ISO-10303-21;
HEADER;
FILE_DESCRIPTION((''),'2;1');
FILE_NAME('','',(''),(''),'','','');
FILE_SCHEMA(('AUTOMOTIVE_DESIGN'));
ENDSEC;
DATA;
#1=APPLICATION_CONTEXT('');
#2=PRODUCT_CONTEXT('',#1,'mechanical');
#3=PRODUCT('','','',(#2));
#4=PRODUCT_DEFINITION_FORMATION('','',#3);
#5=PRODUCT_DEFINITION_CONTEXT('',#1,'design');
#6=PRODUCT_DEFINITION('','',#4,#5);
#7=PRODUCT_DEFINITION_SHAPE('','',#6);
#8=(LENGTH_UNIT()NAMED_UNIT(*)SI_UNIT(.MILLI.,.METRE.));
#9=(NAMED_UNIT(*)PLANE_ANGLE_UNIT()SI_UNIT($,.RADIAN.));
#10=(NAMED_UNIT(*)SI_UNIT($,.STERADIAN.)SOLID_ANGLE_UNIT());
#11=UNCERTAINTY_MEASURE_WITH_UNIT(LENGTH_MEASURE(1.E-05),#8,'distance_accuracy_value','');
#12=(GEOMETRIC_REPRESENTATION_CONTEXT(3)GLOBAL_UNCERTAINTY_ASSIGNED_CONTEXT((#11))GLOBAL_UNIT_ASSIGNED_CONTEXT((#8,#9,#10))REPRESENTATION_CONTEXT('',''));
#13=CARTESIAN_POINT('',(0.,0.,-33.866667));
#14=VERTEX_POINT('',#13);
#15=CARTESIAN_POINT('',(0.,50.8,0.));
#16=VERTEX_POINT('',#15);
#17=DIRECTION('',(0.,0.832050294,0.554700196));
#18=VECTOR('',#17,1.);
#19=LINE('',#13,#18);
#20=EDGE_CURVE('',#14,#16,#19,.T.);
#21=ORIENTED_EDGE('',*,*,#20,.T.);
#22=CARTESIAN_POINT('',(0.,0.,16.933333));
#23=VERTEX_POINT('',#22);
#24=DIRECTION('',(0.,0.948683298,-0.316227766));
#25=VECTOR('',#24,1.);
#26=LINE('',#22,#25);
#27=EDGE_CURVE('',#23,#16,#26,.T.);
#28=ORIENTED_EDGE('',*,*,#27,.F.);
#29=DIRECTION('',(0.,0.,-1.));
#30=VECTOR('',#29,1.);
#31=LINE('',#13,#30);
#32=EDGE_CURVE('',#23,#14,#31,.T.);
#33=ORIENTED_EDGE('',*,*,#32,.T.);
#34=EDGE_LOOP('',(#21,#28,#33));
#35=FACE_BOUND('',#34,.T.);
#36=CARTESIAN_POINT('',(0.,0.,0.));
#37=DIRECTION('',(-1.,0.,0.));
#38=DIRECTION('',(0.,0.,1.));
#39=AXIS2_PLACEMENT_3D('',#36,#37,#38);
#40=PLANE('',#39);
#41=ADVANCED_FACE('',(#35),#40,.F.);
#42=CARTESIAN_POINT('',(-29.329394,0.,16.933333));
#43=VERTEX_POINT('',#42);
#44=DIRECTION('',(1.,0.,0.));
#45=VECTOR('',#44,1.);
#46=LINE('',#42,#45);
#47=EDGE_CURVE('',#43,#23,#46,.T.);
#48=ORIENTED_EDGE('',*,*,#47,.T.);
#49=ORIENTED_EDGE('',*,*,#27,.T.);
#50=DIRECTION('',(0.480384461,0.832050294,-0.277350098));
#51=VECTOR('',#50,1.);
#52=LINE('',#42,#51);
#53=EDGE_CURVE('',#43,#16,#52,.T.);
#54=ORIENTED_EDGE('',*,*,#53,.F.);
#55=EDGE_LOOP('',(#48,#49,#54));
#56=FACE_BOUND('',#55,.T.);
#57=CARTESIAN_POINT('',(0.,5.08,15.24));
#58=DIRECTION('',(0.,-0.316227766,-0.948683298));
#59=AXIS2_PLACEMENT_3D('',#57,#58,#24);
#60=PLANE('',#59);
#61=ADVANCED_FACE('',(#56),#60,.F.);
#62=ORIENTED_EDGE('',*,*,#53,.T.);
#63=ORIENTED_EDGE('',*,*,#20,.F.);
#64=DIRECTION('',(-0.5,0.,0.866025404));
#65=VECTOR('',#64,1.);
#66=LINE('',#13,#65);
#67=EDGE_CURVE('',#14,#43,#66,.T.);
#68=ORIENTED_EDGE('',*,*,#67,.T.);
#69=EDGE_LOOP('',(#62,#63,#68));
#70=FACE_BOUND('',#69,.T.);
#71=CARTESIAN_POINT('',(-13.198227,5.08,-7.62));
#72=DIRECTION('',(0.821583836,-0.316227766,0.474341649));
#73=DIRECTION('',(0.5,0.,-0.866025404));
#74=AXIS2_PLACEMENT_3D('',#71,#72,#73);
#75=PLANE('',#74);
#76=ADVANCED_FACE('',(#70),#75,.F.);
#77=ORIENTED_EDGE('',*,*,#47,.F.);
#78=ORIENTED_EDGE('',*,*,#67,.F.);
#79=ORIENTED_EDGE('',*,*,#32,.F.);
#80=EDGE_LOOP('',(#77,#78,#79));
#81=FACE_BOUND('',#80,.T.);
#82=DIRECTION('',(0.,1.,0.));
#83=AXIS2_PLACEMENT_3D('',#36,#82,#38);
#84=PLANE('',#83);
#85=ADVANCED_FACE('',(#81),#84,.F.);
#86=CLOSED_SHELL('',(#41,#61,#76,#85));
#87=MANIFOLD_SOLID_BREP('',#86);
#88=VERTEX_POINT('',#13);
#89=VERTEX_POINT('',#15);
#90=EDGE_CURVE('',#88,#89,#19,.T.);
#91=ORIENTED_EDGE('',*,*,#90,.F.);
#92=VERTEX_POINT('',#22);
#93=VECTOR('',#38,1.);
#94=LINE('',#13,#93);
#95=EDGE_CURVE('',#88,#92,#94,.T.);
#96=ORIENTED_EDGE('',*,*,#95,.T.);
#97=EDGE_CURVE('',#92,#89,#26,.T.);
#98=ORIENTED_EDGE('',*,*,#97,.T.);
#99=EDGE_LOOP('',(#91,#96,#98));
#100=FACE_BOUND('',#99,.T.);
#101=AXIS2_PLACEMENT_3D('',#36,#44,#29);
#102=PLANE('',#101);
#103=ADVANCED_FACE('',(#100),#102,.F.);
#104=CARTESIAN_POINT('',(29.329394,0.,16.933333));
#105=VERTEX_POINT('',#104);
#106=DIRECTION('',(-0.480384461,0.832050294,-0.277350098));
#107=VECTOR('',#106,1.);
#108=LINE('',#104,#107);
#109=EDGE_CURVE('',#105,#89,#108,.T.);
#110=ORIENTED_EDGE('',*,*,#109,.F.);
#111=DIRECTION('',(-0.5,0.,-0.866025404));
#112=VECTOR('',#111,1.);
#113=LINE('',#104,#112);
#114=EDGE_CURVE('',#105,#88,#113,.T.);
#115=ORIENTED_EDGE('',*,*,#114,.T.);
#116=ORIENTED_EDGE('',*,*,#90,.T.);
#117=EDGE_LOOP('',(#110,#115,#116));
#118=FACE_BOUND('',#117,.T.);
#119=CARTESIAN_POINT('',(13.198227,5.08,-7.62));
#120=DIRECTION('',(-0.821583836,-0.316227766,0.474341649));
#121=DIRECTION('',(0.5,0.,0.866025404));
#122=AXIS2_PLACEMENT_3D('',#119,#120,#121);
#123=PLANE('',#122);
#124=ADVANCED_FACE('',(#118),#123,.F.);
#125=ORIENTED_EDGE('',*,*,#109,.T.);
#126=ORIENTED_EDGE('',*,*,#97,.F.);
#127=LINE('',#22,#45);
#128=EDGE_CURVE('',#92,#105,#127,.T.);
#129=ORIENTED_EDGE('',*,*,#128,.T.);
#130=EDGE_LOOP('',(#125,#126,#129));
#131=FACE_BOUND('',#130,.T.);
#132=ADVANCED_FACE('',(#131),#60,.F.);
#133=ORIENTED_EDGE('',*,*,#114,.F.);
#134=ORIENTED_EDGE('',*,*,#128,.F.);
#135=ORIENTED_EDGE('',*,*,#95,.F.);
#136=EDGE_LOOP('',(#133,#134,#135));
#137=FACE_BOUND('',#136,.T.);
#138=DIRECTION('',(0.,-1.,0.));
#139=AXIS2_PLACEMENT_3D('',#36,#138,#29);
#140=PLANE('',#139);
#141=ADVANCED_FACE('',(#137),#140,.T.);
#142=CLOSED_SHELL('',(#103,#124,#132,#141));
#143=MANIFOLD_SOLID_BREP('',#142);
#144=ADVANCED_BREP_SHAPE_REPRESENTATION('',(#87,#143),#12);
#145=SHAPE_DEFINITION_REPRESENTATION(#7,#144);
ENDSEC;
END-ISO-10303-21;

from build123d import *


with BuildPart() as part:
    # Sketch1 → Loft1 section 0
    with BuildSketch(Plane(origin=(0, 0, 0), x_dir=(1, 0, 0), z_dir=(0, 1, 0)), mode=Mode.PRIVATE) as loft1_s0:
        with BuildLine():
            Line((0, 33.866666667), (0, -16.933333333))
            Line((0, -16.933333333), (-29.329393675, -16.933333333))
            Line((-29.329393675, -16.933333333), (0, 33.866666667))
        make_face()
    loft([loft1_s0.sketch, Vertex(0, 50.8, 0)])


with BuildPart() as body_2:
    # Sketch3 → Loft2 section 0
    with BuildSketch(Plane(origin=(0, 0, 0), x_dir=(1, 0, 0), z_dir=(0, 1, 0)), mode=Mode.PRIVATE) as loft2_s0:
        with BuildLine():
            Line((0, 33.866666667), (0, -16.933333333))
            Line((0, -16.933333333), (29.329393675, -16.933333333))
            Line((29.329393675, -16.933333333), (0, 33.866666667))
        make_face()
    loft([loft2_s0.sketch, Vertex(0, 50.8, 0)])


solid = Compound([part.part, body_2.part])
